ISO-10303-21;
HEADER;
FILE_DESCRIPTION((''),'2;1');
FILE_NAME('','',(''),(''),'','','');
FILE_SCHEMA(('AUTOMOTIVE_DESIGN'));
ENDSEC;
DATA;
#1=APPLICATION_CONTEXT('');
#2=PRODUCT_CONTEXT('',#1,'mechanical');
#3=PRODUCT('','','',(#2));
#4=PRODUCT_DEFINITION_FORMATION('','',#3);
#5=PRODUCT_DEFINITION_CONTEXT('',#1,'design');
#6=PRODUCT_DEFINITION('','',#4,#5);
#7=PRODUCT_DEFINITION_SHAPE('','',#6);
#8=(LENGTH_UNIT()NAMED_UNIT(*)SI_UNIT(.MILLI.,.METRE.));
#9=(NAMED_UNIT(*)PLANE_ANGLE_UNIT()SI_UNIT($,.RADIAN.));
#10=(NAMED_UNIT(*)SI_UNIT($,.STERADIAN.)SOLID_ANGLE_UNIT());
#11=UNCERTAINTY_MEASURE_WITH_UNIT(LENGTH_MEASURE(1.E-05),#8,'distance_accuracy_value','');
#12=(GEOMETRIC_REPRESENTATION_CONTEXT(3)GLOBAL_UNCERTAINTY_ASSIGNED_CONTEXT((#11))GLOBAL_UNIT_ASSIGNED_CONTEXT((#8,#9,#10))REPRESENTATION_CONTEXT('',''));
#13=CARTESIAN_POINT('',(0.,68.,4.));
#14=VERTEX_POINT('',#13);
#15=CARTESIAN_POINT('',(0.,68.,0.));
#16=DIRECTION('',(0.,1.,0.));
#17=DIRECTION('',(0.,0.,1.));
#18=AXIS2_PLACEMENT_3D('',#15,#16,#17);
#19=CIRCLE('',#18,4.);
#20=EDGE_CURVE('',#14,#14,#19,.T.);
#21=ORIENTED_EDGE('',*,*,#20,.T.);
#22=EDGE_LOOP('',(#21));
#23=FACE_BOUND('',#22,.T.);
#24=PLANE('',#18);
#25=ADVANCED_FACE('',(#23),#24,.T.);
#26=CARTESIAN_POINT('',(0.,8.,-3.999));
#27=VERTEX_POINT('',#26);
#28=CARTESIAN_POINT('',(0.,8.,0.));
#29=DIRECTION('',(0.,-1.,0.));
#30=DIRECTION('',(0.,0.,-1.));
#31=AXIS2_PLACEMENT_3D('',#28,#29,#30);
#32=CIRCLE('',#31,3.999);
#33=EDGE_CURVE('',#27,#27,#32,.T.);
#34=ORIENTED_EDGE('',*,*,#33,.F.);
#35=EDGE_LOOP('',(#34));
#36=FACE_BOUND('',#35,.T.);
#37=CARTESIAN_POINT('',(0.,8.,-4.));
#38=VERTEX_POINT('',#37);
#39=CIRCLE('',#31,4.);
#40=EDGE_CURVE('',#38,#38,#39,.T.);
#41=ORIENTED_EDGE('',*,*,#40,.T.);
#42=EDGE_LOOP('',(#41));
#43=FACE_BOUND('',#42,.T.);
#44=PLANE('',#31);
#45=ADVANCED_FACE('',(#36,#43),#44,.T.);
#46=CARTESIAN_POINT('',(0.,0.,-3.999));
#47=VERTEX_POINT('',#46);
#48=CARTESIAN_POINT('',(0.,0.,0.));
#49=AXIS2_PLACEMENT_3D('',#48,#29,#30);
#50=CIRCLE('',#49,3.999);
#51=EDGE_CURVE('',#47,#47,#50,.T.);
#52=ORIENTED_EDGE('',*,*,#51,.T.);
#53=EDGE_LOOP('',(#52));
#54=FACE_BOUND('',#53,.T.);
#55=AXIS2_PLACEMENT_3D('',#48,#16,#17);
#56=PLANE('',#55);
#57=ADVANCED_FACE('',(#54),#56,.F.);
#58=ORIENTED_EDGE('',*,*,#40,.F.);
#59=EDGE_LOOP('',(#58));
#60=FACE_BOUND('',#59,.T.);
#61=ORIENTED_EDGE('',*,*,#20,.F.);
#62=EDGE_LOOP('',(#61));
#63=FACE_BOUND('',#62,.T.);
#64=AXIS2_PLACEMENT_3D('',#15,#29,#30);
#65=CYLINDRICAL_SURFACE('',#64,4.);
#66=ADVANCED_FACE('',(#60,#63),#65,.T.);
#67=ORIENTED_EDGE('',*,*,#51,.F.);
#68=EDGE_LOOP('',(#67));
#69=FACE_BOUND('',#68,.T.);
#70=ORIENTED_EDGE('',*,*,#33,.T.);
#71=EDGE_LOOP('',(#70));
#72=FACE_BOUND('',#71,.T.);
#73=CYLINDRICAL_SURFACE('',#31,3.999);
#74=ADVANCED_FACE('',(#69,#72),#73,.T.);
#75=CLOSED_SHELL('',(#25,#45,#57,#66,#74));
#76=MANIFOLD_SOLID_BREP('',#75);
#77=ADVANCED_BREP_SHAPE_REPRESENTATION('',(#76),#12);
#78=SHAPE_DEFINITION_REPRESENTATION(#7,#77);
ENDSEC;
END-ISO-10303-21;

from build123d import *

# Parameters (mm, degrees)
SKICA1_R                 = 4
P_IDAT_VYSUNUT_M1_DEPTH  = 68
SKICA2_R                 = 4
SKICA2_R_2               = 3.999
ODEBRAT_VYSUNUT_M1_DEPTH = 8


with BuildPart() as part:
    # Skica1 → Přidat vysunutím1 (new body)
    with BuildSketch(Plane(origin=(0, 0, 0), x_dir=(1, 0, 0), z_dir=(0, 1, 0))):
        with Locations(Location((0, 0, 0), (0, 0, 270))):
            Circle(SKICA1_R)
    extrude(amount=P_IDAT_VYSUNUT_M1_DEPTH)

    # Skica2 → Odebrat vysunutím1 (cut)
    with BuildSketch(Plane.XZ):
        with Locations(Location((0, 0, 0), (0, 0, 270))):
            Circle(SKICA2_R)
        with Locations(Location((0, 0, 0), (0, 0, 270))):
            Circle(SKICA2_R_2, mode=Mode.SUBTRACT)
    extrude(amount=-ODEBRAT_VYSUNUT_M1_DEPTH, mode=Mode.SUBTRACT)


solid = part.part
